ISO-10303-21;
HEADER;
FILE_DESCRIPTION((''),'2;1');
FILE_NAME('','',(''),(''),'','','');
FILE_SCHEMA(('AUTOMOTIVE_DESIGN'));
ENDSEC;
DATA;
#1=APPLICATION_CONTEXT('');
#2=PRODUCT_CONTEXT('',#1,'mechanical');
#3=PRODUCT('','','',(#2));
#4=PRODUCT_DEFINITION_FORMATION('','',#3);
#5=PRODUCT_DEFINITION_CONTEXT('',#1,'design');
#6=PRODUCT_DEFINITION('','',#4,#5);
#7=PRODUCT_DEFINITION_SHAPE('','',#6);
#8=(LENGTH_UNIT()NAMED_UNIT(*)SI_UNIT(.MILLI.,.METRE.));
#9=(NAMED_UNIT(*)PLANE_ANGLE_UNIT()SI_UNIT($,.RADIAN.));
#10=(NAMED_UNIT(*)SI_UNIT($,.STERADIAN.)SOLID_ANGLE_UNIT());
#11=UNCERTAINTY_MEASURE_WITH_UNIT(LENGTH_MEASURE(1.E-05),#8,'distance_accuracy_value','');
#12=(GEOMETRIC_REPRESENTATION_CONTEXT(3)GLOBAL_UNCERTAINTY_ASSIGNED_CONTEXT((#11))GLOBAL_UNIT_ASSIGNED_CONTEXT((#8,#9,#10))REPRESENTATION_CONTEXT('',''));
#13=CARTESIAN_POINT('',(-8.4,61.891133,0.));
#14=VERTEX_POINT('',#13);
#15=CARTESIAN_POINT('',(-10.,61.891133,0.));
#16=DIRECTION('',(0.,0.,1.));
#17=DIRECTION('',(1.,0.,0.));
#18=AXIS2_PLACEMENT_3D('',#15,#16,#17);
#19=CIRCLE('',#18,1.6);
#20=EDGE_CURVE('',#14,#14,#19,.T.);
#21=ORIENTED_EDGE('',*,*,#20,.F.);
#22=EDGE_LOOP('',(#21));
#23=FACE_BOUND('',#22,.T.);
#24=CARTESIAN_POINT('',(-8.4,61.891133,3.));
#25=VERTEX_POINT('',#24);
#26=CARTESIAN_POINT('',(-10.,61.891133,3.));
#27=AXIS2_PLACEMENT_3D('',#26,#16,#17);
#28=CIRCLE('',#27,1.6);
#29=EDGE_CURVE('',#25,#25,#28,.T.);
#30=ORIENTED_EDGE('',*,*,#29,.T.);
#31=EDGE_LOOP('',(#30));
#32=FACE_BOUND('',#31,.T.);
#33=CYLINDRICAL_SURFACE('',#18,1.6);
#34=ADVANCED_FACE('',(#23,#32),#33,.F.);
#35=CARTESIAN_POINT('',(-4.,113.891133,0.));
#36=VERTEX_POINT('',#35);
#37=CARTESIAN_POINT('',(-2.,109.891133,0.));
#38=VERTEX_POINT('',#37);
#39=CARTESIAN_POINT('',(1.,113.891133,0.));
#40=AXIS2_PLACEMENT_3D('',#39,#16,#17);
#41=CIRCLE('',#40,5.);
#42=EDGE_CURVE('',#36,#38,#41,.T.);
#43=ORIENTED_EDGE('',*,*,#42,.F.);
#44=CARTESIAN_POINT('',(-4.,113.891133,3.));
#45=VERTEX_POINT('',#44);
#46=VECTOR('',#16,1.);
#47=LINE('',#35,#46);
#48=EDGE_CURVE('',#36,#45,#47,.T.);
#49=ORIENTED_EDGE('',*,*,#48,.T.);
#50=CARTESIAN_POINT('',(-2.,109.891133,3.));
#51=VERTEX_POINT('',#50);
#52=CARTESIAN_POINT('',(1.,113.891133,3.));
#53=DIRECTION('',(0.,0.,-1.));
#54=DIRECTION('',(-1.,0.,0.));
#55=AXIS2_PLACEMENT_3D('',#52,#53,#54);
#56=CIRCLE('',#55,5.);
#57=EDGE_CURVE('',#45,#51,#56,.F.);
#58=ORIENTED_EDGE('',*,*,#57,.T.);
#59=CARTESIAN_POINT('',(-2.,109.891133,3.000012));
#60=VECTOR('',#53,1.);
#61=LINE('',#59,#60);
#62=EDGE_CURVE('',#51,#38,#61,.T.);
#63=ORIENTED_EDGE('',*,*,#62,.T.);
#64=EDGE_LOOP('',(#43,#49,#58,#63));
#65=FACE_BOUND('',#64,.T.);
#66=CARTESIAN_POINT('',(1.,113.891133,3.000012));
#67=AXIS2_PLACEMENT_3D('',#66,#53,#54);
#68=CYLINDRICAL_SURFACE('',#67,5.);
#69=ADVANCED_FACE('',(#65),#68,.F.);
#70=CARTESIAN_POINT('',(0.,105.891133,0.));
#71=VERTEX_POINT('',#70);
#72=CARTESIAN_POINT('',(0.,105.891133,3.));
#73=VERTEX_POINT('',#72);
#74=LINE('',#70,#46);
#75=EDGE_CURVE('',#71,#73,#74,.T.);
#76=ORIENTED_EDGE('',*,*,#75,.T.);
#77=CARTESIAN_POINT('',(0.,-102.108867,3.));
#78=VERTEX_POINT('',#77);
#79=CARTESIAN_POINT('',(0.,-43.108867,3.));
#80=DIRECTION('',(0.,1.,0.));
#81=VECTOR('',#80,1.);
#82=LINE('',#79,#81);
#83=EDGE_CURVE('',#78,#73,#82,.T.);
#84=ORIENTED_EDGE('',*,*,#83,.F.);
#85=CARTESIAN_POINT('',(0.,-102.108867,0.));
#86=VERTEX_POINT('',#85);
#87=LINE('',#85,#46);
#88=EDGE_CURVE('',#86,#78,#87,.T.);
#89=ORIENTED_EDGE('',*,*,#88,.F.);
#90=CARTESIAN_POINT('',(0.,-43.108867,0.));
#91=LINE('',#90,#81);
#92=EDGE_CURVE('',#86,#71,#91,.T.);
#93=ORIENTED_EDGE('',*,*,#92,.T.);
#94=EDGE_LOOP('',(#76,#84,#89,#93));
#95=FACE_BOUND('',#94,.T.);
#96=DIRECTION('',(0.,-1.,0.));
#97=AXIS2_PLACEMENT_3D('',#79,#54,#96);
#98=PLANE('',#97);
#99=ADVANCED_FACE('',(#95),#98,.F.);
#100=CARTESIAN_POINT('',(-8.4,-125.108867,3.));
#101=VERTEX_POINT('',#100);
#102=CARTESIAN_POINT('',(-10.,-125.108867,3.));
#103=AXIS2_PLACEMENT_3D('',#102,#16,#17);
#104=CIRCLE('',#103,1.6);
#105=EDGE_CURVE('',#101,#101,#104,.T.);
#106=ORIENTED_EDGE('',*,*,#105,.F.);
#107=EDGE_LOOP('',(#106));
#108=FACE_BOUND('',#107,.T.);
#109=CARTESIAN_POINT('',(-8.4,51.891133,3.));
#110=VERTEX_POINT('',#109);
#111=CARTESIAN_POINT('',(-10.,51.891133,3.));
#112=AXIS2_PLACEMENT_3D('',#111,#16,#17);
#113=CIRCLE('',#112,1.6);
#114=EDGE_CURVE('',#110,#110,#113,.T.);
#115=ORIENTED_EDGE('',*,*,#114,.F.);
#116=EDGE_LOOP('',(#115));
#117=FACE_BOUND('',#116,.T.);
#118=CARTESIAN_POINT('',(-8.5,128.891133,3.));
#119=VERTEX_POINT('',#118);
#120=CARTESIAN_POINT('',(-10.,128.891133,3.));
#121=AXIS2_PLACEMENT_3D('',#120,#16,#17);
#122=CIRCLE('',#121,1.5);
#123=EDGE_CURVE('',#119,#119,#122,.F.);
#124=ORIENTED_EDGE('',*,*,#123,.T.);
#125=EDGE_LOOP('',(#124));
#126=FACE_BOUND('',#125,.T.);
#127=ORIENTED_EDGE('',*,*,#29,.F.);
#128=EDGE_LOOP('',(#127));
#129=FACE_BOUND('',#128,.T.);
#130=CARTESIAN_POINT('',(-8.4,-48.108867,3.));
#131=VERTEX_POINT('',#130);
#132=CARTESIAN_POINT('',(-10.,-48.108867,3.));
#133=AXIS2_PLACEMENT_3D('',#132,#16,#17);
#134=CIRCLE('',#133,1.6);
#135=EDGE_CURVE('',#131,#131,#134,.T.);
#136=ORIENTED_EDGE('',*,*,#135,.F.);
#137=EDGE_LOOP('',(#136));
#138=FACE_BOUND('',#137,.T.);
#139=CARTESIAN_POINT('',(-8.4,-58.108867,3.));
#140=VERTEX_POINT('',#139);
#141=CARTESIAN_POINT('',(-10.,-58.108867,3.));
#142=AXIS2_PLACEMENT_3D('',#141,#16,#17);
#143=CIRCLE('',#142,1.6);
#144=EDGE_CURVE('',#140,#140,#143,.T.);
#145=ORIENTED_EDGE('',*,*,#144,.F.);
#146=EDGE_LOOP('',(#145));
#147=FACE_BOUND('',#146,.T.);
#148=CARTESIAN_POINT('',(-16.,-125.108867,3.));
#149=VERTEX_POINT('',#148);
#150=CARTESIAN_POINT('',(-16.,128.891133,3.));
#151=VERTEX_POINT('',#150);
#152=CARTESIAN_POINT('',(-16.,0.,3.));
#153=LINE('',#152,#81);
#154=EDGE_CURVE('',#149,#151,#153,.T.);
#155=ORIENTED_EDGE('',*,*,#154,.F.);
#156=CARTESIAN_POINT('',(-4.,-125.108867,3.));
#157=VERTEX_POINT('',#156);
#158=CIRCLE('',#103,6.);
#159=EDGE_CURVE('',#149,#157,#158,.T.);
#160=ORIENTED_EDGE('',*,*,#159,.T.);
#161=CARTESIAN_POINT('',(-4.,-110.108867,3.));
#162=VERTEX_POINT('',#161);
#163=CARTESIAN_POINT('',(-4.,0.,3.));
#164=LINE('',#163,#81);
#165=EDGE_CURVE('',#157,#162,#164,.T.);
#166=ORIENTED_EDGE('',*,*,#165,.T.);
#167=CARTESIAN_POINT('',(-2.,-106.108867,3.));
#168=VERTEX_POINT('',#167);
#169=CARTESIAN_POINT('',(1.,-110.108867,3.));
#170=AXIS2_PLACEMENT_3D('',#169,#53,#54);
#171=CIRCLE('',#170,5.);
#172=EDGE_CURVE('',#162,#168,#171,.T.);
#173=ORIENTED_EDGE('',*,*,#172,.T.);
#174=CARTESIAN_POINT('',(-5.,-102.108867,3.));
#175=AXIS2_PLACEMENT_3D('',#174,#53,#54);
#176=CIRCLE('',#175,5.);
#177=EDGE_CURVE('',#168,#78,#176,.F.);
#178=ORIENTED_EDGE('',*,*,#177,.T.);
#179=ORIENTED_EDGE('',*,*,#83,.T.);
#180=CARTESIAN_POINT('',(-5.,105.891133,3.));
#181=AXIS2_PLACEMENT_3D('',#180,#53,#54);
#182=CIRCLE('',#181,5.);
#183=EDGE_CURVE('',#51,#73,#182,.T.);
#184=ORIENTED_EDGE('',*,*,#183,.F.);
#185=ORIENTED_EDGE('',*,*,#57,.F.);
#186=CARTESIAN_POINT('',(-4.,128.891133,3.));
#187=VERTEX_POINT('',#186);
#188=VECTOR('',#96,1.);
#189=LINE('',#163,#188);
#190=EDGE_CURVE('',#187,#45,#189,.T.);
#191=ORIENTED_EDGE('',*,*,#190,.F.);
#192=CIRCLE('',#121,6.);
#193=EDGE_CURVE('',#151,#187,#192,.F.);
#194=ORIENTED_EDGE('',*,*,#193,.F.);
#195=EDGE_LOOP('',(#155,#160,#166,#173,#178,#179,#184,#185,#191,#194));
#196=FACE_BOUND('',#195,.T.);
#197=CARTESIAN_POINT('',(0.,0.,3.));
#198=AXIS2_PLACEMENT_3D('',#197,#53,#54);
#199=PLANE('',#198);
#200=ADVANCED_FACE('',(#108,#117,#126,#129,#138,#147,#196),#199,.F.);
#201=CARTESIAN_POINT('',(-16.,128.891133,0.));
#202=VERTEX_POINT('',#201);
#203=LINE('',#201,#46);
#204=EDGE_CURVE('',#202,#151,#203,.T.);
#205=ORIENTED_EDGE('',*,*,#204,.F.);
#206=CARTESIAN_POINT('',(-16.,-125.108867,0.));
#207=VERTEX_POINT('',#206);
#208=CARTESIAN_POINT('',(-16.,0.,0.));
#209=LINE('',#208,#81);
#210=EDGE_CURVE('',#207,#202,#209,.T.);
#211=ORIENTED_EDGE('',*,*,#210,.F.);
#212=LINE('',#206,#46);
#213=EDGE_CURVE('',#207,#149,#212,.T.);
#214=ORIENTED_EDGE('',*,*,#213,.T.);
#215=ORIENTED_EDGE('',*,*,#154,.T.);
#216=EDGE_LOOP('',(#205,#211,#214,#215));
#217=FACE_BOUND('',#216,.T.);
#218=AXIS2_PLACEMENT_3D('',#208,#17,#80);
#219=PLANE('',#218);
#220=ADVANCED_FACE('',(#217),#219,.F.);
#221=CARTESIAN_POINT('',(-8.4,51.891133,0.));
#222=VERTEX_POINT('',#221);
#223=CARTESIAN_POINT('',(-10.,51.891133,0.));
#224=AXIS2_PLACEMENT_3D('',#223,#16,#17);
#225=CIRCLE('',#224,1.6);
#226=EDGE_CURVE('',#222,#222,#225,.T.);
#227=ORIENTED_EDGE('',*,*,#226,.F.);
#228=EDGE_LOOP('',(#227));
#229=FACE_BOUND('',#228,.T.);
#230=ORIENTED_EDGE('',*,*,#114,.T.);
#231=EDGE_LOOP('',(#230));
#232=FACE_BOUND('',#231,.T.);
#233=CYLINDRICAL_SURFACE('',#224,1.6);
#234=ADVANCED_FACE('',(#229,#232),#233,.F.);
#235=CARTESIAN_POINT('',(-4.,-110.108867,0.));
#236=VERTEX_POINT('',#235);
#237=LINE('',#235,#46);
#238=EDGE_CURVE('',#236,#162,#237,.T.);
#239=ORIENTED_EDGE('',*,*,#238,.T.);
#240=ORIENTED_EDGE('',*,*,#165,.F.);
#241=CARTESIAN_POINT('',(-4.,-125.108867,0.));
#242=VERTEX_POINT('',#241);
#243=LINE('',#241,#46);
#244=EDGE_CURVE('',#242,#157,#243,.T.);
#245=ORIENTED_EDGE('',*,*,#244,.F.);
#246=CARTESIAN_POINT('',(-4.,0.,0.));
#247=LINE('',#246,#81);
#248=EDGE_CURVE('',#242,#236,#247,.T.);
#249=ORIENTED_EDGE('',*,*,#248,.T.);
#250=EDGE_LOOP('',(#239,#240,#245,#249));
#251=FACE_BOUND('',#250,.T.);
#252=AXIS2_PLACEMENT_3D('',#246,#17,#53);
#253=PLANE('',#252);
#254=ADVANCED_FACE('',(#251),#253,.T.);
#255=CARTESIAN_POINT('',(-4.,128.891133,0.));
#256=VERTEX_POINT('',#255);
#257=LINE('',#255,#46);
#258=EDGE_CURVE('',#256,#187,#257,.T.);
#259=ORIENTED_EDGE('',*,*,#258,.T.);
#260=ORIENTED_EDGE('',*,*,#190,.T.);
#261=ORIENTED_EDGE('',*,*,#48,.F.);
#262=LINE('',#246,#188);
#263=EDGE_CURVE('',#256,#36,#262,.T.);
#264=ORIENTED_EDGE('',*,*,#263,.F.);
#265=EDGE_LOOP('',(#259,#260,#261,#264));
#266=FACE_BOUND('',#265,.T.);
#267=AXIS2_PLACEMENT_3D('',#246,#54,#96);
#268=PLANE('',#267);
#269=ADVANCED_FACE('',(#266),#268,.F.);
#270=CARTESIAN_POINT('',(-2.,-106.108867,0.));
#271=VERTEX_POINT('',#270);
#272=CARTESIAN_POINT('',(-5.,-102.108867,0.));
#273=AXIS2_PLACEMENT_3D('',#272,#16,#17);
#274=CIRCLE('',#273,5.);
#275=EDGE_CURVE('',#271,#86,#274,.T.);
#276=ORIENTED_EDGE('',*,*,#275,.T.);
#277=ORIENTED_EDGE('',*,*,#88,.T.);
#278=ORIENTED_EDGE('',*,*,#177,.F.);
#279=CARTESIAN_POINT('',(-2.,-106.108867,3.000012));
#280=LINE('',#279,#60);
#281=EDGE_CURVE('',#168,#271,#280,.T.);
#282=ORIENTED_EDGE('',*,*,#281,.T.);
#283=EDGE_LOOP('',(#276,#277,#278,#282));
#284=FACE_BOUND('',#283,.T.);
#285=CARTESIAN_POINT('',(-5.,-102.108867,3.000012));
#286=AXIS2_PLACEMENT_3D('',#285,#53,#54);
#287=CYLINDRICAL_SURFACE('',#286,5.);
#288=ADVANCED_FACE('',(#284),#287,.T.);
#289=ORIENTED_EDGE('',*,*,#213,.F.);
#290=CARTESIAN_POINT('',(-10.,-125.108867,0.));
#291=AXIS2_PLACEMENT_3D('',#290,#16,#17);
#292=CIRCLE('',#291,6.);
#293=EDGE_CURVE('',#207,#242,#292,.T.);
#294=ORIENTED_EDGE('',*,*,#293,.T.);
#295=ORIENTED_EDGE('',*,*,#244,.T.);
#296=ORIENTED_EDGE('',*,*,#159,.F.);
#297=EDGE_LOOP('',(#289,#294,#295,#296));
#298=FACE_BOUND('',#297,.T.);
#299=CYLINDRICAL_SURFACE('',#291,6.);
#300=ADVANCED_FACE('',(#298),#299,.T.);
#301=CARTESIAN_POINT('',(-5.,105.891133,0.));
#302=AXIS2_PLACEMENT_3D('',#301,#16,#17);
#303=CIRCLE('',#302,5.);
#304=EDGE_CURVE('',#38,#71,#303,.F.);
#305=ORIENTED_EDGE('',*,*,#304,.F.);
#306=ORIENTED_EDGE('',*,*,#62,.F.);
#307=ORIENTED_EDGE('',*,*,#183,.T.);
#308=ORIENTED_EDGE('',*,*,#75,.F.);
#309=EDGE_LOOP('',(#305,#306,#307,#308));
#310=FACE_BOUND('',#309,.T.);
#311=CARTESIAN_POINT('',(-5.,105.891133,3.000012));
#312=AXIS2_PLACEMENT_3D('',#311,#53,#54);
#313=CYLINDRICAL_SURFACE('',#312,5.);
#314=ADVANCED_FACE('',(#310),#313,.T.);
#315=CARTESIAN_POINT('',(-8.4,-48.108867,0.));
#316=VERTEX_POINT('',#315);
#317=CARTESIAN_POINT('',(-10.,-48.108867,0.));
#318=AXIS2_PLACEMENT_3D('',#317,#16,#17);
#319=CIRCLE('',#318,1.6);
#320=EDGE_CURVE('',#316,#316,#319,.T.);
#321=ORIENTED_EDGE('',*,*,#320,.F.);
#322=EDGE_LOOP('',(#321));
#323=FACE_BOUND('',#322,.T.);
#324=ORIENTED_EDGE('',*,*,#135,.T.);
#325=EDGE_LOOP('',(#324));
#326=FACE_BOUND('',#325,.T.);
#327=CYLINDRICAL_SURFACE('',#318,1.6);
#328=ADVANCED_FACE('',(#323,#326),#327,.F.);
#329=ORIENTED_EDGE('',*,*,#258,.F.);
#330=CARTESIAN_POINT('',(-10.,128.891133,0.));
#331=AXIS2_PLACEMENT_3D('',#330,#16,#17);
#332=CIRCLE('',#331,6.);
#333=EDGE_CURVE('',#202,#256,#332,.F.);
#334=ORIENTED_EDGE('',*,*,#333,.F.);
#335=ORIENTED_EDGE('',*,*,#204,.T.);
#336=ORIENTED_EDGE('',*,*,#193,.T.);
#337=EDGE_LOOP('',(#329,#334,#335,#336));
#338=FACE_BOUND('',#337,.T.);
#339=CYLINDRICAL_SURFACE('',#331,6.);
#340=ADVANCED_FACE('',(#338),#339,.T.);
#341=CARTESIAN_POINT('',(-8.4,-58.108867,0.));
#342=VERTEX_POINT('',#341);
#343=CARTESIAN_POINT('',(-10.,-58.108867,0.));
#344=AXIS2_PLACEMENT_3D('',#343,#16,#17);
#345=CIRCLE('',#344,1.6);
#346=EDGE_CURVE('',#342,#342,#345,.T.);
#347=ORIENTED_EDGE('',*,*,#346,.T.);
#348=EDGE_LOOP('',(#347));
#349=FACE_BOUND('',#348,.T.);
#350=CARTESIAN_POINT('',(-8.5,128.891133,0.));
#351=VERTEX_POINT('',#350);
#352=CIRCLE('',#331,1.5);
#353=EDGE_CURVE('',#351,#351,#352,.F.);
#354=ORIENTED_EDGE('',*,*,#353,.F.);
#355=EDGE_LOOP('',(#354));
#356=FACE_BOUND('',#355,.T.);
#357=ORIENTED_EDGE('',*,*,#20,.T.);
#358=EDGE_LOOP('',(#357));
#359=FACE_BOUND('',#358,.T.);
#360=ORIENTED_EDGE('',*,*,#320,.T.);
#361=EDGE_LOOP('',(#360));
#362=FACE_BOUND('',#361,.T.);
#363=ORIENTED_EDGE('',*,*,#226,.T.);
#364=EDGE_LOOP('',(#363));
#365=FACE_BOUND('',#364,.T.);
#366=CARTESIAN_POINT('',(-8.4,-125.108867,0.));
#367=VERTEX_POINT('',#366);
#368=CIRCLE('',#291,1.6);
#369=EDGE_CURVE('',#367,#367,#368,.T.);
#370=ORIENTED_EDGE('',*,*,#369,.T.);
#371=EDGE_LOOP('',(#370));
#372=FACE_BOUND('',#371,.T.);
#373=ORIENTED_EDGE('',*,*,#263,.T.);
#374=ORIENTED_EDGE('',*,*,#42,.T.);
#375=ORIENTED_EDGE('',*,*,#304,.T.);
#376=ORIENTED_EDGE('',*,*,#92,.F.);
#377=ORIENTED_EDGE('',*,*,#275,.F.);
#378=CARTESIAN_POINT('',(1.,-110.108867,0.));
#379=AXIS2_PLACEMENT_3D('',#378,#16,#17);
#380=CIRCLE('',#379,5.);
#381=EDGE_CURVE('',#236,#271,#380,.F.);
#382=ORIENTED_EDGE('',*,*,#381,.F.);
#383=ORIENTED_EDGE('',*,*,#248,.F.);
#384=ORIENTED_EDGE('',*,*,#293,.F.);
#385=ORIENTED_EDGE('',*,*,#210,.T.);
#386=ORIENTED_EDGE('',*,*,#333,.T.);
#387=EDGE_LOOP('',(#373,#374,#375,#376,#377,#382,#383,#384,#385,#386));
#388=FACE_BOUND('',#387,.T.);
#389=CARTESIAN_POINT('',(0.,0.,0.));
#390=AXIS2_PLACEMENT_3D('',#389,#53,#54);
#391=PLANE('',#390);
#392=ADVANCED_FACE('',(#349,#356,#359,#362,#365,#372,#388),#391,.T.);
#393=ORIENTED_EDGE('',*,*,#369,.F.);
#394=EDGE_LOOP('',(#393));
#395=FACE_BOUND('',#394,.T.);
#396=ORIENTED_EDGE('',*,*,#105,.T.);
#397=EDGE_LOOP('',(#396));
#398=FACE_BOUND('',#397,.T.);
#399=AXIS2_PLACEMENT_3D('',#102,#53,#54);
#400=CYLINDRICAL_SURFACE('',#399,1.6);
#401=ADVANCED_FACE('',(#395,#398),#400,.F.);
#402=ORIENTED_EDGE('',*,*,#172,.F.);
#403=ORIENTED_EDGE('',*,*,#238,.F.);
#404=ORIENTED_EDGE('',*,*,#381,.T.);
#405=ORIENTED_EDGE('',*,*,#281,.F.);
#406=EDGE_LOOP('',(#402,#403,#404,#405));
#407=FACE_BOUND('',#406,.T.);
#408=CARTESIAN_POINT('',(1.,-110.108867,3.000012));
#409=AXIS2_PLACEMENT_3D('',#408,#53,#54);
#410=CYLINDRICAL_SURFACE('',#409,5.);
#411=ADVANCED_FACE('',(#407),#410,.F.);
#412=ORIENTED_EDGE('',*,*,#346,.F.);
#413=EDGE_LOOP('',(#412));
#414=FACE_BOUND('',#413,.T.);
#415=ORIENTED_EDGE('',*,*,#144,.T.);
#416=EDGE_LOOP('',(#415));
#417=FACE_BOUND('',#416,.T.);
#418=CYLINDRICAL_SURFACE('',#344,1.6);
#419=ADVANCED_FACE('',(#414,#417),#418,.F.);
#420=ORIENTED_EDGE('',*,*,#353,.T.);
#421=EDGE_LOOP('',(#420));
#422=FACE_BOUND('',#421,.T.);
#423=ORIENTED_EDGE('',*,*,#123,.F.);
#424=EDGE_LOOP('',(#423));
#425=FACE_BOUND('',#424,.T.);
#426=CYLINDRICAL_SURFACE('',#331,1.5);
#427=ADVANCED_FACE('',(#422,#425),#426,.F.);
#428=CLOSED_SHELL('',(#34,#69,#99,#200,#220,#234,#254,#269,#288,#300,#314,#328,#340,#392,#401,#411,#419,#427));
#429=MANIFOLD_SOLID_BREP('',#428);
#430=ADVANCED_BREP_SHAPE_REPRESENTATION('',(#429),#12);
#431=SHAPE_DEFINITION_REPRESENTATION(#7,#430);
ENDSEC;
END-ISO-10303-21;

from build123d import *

# Parameters (mm, degrees)
SKETCH_2_W               = 18
SKETCH_2_H               = 90
SKETCH_2_R               = 1.6
EXTRUDE_1_DEPTH          = 3
SKETCH_3_R               = 1.5
SKETCH_3_W               = 18
SKETCH_3_H               = 45
EXTRUDE_2_DEPTH          = 3
SKETCH_4_R               = 1.6
CUT_EXTRUDE_1_DEPTH      = 3
CUT_EXTRUDE_2_DEPTH      = 139.102072216
CUT_EXTRUDE_2_DEPTH_BACK = 3


with BuildPart() as part:
    # 草图2 → 凸台-拉伸1 (new body)
    with BuildSketch(Plane.XY):
        with Locations((-9, -88.108866795)):
            Rectangle(SKETCH_2_W, SKETCH_2_H)
        with Locations((-10, -125.108866795)):
            Circle(SKETCH_2_R, mode=Mode.SUBTRACT)
    extrude(amount=EXTRUDE_1_DEPTH)

    # 草图3 → 凸台-拉伸2 (add)
    # profile 1 of 2: a face of its own
    with BuildSketch(Plane.XY.offset(3)):
        Polygon((-18, 1.891133205), (0, 1.891133205), (0, 46.891133205), (0, 136.891133205), (-18, 136.891133205), (-18, 46.891133205), align=None)
        with Locations((-10, 128.891133205)):
            Circle(SKETCH_3_R, mode=Mode.SUBTRACT)
    # profile 2 of 2: a face of its own
    with BuildSketch(Plane.XY.offset(3)):
        with Locations((-9, -20.608866795)):
            Rectangle(SKETCH_3_W, SKETCH_3_H)
    extrude(amount=-EXTRUDE_2_DEPTH)

    # 草图4 → 切除-拉伸1 (cut)
    with BuildSketch(Plane.XY.offset(3)):
        with Locations((-10, -58.108866795)):
            Circle(SKETCH_4_R)
        with Locations((-10, -48.108866795)):
            Circle(SKETCH_4_R)
        with Locations((-10, 51.891133205)):
            Circle(SKETCH_4_R)
        with Locations((-10, 61.891133205)):
            Circle(SKETCH_4_R)
    extrude(amount=-CUT_EXTRUDE_1_DEPTH, mode=Mode.SUBTRACT)

    # 草图5 → 切除-拉伸2 (cut, two sides: drawn at the far end of the back side and taken through both)
    with BuildSketch(Plane.XY.offset(3).offset(-CUT_EXTRUDE_2_DEPTH_BACK)):
        with BuildLine():
            Line((-4, -110.108866795), (-4, -125.108866795))
            ThreePointArc((-4, -125.108866795), (-10, -131.108866795), (-16, -125.108866795))
            Line((-16, -125.108866795), (-16, 128.891133205))
            ThreePointArc((-16, 128.891133205), (-10, 134.891133205), (-4, 128.891133205))
            Line((-4, 128.891133205), (-4, 113.891133205))
            ThreePointArc((-4, 113.891133205), (-3.472135955, 111.655065228), (-2, 109.891133205))
            ThreePointArc((-2, 109.891133205), (-0.527864045, 108.127201183), (0, 105.891133205))
            Line((0, 105.891133205), (0, 136.891133205))
            Line((0, 136.891133205), (-18, 136.891133205))
            Line((-18, 136.891133205), (-18, -133.108866795))
            Line((-18, -133.108866795), (0, -133.108866795))
            Line((0, -133.108866795), (0, -102.108866795))
            ThreePointArc((0, -102.108866795), (-0.527864045, -104.344934772), (-2, -106.108866795))
            ThreePointArc((-2, -106.108866795), (-3.472135955, -107.872798817), (-4, -110.108866795))
        make_face()
    extrude(amount=CUT_EXTRUDE_2_DEPTH + CUT_EXTRUDE_2_DEPTH_BACK, mode=Mode.SUBTRACT)


solid = part.part
